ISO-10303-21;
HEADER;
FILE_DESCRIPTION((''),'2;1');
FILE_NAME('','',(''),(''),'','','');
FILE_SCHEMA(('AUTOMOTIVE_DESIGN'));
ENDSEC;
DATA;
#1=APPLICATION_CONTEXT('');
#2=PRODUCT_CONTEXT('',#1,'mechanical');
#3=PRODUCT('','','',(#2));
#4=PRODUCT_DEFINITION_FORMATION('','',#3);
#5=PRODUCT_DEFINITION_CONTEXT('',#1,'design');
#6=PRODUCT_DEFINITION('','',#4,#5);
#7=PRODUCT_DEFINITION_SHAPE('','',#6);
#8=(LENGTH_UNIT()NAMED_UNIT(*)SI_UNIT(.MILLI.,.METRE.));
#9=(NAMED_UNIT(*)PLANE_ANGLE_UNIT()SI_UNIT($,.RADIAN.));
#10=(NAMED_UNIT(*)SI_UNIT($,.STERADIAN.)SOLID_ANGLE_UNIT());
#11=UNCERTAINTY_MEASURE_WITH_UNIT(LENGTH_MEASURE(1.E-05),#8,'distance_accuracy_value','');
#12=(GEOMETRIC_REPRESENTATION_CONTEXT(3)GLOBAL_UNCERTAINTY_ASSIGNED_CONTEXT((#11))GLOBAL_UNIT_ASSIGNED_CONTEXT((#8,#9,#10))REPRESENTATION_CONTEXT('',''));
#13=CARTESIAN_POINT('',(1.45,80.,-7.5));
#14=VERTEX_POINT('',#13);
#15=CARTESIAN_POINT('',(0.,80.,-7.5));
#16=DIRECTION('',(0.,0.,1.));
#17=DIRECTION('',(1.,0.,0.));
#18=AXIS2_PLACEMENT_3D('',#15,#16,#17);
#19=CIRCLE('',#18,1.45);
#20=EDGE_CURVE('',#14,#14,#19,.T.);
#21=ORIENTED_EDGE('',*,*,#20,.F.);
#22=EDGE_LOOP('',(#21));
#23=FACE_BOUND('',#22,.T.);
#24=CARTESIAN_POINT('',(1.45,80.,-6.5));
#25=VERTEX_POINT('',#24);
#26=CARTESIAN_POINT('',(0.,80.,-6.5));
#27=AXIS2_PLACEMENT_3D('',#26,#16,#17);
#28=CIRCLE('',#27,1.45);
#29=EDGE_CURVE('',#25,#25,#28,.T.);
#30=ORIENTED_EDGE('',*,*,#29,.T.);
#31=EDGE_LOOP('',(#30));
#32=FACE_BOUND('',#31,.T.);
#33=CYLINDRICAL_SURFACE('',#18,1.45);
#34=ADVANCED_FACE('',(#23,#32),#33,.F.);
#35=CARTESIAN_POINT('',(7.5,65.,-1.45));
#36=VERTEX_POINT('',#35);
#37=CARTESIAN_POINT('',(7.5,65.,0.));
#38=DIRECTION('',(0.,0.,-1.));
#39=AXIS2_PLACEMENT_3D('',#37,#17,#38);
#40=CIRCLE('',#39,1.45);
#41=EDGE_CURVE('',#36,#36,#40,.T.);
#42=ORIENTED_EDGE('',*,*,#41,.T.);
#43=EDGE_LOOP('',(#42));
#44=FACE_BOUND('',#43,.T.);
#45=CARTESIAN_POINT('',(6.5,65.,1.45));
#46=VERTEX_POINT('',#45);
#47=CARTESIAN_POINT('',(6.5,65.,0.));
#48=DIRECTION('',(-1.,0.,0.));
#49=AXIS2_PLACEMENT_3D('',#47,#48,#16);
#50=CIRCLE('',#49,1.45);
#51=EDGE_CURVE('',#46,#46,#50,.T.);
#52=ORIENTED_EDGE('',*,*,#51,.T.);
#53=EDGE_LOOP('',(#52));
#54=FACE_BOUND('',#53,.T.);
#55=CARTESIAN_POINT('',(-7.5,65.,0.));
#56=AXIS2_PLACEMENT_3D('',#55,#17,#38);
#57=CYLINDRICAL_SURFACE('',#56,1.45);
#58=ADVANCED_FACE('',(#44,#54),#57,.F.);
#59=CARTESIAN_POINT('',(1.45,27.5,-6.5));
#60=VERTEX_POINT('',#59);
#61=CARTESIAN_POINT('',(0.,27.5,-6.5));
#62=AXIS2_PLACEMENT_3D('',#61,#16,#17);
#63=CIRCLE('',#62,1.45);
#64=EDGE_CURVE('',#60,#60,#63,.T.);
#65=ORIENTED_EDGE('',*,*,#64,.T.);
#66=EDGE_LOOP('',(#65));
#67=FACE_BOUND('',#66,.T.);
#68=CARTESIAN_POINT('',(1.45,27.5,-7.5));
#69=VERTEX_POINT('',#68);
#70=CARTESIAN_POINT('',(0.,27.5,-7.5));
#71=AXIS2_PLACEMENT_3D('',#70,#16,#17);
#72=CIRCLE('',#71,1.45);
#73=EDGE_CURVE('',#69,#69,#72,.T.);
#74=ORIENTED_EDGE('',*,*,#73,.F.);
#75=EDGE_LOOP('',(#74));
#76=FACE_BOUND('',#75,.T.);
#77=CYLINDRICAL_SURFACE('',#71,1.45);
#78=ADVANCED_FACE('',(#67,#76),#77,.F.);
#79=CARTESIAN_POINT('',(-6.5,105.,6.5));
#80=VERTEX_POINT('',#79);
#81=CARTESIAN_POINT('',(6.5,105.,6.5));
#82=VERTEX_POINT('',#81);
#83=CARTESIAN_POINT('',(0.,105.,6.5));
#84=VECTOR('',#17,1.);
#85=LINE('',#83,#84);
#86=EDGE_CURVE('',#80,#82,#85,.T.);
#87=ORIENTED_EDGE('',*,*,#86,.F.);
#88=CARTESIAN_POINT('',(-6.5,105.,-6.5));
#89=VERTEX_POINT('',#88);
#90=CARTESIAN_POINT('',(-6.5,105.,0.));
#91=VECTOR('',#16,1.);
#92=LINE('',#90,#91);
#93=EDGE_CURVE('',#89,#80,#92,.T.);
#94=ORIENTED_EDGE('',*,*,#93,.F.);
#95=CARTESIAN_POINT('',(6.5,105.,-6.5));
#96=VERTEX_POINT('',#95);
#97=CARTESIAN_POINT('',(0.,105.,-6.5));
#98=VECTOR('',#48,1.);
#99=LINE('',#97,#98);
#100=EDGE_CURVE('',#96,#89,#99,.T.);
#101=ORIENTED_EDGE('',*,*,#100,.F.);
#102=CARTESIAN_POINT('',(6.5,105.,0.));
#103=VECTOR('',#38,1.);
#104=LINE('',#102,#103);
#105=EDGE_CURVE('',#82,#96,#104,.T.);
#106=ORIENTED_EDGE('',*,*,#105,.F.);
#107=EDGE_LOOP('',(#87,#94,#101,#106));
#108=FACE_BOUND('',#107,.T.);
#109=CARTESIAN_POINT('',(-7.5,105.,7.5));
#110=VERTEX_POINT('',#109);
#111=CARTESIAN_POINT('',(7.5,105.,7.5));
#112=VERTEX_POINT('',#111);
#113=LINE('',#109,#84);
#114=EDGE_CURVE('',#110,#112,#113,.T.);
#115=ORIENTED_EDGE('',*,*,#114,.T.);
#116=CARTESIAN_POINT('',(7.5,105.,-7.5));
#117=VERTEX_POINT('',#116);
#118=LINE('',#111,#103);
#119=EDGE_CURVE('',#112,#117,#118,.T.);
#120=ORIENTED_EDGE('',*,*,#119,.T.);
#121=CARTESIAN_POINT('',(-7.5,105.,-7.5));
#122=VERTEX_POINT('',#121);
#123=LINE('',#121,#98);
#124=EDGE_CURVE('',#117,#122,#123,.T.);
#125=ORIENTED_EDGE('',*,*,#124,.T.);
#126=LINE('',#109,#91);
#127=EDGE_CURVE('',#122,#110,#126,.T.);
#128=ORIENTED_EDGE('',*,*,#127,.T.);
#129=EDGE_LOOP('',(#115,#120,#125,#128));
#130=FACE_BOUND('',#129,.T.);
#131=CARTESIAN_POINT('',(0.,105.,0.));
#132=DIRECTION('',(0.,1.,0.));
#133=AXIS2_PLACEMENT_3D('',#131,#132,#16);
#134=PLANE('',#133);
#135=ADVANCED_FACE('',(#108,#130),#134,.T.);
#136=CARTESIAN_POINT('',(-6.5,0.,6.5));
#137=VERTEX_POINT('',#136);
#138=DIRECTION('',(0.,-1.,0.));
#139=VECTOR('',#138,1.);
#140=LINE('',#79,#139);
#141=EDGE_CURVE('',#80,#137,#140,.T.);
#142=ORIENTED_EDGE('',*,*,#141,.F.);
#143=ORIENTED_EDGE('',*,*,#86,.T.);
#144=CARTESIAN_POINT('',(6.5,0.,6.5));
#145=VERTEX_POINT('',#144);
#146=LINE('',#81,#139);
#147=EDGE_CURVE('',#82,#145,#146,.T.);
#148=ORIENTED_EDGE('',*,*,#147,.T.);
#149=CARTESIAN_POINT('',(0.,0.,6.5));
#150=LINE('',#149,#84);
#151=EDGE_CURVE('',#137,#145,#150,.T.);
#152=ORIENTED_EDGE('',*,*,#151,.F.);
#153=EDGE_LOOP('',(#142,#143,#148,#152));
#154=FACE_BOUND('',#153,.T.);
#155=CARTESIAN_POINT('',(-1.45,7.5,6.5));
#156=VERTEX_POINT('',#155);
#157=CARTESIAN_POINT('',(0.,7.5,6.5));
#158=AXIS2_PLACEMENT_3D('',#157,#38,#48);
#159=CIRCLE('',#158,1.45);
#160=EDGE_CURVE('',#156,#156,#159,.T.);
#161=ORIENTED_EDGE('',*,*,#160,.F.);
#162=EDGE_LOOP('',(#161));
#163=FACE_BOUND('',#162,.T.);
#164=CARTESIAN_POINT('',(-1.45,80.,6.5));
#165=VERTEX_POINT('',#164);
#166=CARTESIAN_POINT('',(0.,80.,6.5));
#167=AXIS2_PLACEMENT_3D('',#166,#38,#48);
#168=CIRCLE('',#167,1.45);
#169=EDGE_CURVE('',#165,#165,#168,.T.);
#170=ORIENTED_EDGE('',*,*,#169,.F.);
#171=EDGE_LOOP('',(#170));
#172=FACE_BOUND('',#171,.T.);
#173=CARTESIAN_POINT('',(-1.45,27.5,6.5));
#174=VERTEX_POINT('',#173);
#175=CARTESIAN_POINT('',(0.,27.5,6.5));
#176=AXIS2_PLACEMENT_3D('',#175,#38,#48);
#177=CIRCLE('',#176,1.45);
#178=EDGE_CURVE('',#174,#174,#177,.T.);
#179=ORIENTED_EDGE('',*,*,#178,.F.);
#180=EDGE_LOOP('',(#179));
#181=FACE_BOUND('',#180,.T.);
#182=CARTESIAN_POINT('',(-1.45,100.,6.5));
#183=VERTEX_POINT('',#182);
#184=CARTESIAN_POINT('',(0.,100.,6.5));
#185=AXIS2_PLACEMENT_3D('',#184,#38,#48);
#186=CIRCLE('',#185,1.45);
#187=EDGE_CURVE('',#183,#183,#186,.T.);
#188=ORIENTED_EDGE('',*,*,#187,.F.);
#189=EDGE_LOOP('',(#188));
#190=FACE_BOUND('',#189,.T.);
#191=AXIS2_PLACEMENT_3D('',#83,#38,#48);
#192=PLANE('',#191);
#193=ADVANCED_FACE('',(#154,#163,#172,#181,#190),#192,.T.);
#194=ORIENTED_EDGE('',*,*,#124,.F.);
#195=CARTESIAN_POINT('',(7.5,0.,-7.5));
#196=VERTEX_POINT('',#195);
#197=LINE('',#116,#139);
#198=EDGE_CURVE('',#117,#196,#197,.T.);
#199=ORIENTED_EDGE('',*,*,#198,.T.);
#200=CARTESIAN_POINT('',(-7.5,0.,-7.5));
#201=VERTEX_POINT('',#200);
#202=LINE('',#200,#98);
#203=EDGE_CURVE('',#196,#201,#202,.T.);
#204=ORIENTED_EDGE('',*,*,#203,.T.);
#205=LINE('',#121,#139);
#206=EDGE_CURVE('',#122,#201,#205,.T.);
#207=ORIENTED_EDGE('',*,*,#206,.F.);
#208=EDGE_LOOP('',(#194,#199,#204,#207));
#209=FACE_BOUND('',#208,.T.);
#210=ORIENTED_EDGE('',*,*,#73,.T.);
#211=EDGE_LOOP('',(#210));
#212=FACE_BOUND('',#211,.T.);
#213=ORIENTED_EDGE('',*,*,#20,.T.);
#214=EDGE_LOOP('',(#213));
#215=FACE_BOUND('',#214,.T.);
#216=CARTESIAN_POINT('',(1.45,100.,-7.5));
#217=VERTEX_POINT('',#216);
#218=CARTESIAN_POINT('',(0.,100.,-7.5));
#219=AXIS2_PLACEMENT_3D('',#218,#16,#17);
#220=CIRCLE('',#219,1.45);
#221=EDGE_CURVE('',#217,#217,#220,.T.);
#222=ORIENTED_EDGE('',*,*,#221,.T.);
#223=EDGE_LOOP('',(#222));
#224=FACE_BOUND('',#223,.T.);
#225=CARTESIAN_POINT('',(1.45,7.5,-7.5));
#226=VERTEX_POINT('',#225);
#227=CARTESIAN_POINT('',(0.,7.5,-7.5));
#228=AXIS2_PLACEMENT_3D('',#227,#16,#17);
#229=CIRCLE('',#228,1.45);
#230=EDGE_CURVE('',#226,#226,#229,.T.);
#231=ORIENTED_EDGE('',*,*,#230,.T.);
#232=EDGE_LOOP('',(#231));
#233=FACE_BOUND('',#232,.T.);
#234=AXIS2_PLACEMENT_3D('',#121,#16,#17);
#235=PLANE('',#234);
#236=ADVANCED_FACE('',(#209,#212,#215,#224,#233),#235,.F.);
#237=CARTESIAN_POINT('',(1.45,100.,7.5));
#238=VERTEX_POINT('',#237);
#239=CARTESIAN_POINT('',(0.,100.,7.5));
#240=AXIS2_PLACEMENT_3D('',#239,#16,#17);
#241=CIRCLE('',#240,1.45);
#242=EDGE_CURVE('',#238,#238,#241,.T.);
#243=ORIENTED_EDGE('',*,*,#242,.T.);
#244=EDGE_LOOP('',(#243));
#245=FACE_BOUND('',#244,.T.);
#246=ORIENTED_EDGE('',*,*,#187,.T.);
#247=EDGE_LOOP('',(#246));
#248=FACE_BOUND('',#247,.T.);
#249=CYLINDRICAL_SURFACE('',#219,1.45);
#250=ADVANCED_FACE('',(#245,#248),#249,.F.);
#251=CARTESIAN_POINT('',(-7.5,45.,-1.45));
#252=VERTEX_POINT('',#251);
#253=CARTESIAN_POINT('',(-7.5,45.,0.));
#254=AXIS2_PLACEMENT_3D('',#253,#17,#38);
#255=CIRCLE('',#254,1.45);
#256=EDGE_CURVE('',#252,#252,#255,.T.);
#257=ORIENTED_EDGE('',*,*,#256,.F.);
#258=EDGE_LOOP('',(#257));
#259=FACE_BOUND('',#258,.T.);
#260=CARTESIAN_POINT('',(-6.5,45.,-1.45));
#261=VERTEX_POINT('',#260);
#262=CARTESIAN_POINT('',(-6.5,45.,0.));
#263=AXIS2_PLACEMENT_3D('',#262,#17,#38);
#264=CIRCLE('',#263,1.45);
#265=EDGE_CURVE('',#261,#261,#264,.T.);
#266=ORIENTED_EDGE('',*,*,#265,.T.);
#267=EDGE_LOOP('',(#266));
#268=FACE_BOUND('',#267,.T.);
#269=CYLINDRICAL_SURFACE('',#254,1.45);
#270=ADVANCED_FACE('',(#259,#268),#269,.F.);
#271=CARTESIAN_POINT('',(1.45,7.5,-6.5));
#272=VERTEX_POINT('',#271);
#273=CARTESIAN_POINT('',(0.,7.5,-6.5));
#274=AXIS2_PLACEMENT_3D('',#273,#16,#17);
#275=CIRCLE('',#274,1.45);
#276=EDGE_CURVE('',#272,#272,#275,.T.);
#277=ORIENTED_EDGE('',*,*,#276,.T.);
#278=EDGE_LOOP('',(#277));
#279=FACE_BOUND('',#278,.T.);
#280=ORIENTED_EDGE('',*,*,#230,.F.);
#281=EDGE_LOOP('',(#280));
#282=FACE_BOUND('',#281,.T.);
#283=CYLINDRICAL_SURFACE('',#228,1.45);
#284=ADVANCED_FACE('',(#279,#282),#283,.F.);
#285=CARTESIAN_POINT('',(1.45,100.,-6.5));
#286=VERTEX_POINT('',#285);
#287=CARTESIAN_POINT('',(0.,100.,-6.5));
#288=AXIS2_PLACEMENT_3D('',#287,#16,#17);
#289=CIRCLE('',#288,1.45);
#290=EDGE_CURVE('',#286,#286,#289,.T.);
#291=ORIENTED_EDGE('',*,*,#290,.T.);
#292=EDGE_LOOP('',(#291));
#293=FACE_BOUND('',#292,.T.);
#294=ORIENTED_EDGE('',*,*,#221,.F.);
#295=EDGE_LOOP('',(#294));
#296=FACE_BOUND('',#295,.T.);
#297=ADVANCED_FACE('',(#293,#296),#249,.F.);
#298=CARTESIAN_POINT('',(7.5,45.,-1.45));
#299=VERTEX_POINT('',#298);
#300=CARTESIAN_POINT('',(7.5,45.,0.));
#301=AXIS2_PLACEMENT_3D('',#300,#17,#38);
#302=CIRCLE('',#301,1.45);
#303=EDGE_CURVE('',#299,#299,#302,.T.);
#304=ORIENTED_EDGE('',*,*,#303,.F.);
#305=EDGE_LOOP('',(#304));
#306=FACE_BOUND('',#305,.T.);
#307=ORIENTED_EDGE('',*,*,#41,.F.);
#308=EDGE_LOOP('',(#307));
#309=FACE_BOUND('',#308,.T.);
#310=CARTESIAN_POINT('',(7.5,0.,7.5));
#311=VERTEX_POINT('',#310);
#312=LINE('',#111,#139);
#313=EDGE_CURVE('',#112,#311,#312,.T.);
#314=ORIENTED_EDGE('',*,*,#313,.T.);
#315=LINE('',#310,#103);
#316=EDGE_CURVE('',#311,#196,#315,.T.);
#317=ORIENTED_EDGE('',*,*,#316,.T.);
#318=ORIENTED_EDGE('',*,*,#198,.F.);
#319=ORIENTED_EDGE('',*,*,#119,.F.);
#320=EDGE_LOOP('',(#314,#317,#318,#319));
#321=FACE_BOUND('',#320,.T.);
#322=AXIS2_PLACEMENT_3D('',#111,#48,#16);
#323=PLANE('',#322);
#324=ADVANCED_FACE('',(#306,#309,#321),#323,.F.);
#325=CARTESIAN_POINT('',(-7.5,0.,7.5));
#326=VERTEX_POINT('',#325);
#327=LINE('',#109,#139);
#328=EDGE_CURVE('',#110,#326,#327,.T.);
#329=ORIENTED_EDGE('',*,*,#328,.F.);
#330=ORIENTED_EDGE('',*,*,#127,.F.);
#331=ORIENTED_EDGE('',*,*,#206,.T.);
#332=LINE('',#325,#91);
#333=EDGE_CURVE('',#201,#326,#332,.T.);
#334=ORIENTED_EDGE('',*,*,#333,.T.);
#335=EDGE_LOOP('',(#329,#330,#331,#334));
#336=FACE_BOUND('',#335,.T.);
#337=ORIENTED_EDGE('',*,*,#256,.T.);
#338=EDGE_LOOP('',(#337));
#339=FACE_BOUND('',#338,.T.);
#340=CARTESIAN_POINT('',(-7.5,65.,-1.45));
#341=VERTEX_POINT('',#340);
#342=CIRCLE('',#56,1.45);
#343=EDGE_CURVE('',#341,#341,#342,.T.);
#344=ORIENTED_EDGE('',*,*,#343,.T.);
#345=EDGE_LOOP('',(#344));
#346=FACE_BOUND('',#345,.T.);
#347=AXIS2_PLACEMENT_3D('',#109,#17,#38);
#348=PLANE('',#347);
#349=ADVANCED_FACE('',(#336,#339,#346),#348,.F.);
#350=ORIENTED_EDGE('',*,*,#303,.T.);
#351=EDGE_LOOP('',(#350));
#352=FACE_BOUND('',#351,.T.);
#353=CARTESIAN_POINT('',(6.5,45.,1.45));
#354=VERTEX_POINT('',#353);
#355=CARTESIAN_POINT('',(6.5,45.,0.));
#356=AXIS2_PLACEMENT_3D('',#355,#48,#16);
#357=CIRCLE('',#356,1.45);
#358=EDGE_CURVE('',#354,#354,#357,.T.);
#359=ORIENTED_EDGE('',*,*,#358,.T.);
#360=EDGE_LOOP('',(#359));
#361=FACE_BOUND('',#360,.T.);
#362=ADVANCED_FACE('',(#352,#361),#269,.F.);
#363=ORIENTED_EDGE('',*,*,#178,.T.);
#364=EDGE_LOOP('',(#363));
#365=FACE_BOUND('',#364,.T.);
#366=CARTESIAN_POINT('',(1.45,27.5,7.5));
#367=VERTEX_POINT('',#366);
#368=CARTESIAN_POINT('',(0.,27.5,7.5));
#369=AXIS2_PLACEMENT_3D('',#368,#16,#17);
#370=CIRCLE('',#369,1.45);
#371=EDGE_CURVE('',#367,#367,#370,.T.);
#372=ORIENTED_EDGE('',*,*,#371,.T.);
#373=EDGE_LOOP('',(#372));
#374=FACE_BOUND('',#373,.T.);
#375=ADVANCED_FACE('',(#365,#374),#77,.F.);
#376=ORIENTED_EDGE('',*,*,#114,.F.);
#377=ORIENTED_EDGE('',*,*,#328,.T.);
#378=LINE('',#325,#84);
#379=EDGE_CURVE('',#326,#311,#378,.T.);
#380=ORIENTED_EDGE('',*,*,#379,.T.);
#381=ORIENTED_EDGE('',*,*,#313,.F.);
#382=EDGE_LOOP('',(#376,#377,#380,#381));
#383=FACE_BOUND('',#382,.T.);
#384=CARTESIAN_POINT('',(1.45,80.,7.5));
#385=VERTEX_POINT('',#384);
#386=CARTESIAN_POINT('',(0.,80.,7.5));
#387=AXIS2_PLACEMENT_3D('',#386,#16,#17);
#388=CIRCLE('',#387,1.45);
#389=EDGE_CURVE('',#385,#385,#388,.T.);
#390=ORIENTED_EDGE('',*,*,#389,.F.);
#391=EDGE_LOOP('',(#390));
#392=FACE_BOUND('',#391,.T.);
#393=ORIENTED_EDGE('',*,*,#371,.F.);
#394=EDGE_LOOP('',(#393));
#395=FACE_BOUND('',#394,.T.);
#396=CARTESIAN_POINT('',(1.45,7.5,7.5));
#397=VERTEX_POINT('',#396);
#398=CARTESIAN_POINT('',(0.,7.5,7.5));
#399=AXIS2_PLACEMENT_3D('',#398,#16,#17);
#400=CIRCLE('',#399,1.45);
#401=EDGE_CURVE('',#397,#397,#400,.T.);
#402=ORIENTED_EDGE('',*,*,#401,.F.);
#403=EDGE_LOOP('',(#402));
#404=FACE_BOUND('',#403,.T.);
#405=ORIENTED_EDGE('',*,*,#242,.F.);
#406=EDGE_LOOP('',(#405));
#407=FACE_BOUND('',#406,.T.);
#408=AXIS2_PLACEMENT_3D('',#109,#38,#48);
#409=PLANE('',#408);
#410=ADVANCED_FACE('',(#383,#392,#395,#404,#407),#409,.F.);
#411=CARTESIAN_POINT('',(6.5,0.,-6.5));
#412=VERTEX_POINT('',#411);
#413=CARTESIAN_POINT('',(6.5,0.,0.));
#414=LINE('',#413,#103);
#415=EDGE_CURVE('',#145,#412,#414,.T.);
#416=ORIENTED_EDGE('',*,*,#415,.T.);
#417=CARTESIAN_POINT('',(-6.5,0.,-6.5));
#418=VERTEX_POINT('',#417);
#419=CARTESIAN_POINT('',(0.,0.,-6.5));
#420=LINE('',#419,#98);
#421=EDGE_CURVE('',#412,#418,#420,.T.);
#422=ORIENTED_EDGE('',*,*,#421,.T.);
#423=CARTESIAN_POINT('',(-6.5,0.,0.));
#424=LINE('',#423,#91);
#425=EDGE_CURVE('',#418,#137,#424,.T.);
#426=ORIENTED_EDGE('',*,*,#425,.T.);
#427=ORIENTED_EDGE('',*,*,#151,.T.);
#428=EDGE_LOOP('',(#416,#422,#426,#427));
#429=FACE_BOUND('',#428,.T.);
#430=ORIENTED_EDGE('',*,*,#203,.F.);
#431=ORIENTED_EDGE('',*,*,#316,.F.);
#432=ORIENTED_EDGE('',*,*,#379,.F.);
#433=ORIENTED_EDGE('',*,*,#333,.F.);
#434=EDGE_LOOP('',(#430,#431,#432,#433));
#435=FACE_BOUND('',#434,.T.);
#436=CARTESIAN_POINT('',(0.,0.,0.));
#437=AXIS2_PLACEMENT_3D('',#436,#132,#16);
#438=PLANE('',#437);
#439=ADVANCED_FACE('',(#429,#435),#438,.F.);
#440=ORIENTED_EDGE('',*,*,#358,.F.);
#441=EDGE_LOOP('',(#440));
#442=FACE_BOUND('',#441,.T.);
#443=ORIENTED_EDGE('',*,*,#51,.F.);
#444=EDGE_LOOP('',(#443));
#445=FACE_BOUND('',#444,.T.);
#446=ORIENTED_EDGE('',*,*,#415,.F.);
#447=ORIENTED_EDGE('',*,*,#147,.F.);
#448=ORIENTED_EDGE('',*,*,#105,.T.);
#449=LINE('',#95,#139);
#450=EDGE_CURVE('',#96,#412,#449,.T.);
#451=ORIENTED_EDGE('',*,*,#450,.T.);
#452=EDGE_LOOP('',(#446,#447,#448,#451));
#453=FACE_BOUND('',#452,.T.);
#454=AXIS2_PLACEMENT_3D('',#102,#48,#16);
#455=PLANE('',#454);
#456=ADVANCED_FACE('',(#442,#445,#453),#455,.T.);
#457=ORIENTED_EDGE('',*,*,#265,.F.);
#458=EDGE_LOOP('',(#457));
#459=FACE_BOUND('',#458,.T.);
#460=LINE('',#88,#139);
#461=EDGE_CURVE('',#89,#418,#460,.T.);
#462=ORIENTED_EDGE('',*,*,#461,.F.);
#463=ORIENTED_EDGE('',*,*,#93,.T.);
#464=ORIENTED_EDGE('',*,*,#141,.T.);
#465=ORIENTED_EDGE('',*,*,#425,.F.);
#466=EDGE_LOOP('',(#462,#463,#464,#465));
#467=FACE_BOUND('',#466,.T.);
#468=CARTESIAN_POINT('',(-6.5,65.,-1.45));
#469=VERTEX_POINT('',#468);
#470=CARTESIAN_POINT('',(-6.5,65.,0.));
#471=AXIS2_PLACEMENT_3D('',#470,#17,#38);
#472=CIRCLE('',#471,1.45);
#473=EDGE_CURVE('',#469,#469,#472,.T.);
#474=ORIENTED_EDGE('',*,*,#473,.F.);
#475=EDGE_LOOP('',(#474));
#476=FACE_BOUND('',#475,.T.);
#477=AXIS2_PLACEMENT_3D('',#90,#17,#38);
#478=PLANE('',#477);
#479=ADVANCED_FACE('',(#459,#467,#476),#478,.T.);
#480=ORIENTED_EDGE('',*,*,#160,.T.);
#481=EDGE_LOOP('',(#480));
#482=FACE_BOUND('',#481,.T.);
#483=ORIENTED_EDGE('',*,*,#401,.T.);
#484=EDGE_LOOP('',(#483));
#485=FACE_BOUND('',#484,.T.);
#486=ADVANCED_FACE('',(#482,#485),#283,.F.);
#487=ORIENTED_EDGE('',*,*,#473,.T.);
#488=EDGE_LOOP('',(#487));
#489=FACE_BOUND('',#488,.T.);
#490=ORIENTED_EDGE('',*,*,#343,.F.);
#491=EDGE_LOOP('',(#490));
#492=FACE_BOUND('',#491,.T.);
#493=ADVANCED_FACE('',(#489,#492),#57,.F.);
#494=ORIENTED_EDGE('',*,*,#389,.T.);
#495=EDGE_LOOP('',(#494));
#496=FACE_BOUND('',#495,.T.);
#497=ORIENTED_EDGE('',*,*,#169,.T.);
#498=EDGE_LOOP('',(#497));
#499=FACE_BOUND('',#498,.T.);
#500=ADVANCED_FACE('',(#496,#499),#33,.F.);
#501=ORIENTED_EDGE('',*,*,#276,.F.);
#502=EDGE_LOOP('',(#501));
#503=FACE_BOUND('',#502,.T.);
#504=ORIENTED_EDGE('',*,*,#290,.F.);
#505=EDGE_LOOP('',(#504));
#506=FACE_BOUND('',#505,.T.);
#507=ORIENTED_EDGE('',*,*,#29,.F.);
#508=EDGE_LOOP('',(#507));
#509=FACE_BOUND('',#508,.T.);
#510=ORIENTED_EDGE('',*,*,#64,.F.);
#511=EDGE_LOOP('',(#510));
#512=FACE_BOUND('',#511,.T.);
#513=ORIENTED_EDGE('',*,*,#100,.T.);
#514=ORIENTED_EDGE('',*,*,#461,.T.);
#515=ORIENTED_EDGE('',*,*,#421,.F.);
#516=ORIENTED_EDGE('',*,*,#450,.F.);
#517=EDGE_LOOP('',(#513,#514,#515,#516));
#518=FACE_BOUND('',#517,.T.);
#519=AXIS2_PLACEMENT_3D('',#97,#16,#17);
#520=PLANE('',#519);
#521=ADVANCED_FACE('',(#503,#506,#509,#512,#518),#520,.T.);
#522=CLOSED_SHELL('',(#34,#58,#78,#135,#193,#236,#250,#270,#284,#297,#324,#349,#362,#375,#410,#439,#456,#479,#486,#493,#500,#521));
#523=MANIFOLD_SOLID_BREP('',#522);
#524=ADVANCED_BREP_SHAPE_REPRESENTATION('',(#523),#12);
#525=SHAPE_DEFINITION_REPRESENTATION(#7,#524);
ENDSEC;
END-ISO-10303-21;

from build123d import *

# Parameters (mm, degrees)
SKETCH_1_W          = 15
SKETCH_1_H          = 15
SKETCH_1_W_2        = 13
SKETCH_1_H_2        = 13
EXTRUDE_1_DEPTH     = 105
SKETCH_2_R          = 1.45
CUT_EXTRUDE_1_DEPTH = 107.330851591
SKETCH_3_R          = 1.45
CUT_EXTRUDE_2_DEPTH = 107.330851591


with BuildPart() as part:
    # 草图1 → 拉伸-薄壁1 (new body)
    with BuildSketch(Plane(origin=(0, 0, 0), x_dir=(1, 0, 0), z_dir=(0, 1, 0))):
        Rectangle(SKETCH_1_W, SKETCH_1_H)
        Rectangle(SKETCH_1_W_2, SKETCH_1_H_2, mode=Mode.SUBTRACT)
    extrude(amount=EXTRUDE_1_DEPTH)

    # 草图2 → 切除-拉伸1 (cut, through all)
    with BuildSketch(Plane.XY.offset(7.5)):
        with Locations((0, 7.5)):
            Circle(SKETCH_2_R)
        with Locations((0, 27.5)):
            Circle(SKETCH_2_R)
        with Locations((0, 100)):
            Circle(SKETCH_2_R)
        with Locations((0, 80)):
            Circle(SKETCH_2_R)
    extrude(amount=-CUT_EXTRUDE_1_DEPTH, mode=Mode.SUBTRACT)

    # 草图3 → 切除-拉伸2 (cut, through all)
    with BuildSketch(Plane(origin=(7.5, 0, 0), x_dir=(0, 0, -1), z_dir=(1, 0, 0))):
        with Locations((0, 65)):
            Circle(SKETCH_3_R)
        with Locations((0, 45)):
            Circle(SKETCH_3_R)
    extrude(amount=-CUT_EXTRUDE_2_DEPTH, mode=Mode.SUBTRACT)


solid = part.part
